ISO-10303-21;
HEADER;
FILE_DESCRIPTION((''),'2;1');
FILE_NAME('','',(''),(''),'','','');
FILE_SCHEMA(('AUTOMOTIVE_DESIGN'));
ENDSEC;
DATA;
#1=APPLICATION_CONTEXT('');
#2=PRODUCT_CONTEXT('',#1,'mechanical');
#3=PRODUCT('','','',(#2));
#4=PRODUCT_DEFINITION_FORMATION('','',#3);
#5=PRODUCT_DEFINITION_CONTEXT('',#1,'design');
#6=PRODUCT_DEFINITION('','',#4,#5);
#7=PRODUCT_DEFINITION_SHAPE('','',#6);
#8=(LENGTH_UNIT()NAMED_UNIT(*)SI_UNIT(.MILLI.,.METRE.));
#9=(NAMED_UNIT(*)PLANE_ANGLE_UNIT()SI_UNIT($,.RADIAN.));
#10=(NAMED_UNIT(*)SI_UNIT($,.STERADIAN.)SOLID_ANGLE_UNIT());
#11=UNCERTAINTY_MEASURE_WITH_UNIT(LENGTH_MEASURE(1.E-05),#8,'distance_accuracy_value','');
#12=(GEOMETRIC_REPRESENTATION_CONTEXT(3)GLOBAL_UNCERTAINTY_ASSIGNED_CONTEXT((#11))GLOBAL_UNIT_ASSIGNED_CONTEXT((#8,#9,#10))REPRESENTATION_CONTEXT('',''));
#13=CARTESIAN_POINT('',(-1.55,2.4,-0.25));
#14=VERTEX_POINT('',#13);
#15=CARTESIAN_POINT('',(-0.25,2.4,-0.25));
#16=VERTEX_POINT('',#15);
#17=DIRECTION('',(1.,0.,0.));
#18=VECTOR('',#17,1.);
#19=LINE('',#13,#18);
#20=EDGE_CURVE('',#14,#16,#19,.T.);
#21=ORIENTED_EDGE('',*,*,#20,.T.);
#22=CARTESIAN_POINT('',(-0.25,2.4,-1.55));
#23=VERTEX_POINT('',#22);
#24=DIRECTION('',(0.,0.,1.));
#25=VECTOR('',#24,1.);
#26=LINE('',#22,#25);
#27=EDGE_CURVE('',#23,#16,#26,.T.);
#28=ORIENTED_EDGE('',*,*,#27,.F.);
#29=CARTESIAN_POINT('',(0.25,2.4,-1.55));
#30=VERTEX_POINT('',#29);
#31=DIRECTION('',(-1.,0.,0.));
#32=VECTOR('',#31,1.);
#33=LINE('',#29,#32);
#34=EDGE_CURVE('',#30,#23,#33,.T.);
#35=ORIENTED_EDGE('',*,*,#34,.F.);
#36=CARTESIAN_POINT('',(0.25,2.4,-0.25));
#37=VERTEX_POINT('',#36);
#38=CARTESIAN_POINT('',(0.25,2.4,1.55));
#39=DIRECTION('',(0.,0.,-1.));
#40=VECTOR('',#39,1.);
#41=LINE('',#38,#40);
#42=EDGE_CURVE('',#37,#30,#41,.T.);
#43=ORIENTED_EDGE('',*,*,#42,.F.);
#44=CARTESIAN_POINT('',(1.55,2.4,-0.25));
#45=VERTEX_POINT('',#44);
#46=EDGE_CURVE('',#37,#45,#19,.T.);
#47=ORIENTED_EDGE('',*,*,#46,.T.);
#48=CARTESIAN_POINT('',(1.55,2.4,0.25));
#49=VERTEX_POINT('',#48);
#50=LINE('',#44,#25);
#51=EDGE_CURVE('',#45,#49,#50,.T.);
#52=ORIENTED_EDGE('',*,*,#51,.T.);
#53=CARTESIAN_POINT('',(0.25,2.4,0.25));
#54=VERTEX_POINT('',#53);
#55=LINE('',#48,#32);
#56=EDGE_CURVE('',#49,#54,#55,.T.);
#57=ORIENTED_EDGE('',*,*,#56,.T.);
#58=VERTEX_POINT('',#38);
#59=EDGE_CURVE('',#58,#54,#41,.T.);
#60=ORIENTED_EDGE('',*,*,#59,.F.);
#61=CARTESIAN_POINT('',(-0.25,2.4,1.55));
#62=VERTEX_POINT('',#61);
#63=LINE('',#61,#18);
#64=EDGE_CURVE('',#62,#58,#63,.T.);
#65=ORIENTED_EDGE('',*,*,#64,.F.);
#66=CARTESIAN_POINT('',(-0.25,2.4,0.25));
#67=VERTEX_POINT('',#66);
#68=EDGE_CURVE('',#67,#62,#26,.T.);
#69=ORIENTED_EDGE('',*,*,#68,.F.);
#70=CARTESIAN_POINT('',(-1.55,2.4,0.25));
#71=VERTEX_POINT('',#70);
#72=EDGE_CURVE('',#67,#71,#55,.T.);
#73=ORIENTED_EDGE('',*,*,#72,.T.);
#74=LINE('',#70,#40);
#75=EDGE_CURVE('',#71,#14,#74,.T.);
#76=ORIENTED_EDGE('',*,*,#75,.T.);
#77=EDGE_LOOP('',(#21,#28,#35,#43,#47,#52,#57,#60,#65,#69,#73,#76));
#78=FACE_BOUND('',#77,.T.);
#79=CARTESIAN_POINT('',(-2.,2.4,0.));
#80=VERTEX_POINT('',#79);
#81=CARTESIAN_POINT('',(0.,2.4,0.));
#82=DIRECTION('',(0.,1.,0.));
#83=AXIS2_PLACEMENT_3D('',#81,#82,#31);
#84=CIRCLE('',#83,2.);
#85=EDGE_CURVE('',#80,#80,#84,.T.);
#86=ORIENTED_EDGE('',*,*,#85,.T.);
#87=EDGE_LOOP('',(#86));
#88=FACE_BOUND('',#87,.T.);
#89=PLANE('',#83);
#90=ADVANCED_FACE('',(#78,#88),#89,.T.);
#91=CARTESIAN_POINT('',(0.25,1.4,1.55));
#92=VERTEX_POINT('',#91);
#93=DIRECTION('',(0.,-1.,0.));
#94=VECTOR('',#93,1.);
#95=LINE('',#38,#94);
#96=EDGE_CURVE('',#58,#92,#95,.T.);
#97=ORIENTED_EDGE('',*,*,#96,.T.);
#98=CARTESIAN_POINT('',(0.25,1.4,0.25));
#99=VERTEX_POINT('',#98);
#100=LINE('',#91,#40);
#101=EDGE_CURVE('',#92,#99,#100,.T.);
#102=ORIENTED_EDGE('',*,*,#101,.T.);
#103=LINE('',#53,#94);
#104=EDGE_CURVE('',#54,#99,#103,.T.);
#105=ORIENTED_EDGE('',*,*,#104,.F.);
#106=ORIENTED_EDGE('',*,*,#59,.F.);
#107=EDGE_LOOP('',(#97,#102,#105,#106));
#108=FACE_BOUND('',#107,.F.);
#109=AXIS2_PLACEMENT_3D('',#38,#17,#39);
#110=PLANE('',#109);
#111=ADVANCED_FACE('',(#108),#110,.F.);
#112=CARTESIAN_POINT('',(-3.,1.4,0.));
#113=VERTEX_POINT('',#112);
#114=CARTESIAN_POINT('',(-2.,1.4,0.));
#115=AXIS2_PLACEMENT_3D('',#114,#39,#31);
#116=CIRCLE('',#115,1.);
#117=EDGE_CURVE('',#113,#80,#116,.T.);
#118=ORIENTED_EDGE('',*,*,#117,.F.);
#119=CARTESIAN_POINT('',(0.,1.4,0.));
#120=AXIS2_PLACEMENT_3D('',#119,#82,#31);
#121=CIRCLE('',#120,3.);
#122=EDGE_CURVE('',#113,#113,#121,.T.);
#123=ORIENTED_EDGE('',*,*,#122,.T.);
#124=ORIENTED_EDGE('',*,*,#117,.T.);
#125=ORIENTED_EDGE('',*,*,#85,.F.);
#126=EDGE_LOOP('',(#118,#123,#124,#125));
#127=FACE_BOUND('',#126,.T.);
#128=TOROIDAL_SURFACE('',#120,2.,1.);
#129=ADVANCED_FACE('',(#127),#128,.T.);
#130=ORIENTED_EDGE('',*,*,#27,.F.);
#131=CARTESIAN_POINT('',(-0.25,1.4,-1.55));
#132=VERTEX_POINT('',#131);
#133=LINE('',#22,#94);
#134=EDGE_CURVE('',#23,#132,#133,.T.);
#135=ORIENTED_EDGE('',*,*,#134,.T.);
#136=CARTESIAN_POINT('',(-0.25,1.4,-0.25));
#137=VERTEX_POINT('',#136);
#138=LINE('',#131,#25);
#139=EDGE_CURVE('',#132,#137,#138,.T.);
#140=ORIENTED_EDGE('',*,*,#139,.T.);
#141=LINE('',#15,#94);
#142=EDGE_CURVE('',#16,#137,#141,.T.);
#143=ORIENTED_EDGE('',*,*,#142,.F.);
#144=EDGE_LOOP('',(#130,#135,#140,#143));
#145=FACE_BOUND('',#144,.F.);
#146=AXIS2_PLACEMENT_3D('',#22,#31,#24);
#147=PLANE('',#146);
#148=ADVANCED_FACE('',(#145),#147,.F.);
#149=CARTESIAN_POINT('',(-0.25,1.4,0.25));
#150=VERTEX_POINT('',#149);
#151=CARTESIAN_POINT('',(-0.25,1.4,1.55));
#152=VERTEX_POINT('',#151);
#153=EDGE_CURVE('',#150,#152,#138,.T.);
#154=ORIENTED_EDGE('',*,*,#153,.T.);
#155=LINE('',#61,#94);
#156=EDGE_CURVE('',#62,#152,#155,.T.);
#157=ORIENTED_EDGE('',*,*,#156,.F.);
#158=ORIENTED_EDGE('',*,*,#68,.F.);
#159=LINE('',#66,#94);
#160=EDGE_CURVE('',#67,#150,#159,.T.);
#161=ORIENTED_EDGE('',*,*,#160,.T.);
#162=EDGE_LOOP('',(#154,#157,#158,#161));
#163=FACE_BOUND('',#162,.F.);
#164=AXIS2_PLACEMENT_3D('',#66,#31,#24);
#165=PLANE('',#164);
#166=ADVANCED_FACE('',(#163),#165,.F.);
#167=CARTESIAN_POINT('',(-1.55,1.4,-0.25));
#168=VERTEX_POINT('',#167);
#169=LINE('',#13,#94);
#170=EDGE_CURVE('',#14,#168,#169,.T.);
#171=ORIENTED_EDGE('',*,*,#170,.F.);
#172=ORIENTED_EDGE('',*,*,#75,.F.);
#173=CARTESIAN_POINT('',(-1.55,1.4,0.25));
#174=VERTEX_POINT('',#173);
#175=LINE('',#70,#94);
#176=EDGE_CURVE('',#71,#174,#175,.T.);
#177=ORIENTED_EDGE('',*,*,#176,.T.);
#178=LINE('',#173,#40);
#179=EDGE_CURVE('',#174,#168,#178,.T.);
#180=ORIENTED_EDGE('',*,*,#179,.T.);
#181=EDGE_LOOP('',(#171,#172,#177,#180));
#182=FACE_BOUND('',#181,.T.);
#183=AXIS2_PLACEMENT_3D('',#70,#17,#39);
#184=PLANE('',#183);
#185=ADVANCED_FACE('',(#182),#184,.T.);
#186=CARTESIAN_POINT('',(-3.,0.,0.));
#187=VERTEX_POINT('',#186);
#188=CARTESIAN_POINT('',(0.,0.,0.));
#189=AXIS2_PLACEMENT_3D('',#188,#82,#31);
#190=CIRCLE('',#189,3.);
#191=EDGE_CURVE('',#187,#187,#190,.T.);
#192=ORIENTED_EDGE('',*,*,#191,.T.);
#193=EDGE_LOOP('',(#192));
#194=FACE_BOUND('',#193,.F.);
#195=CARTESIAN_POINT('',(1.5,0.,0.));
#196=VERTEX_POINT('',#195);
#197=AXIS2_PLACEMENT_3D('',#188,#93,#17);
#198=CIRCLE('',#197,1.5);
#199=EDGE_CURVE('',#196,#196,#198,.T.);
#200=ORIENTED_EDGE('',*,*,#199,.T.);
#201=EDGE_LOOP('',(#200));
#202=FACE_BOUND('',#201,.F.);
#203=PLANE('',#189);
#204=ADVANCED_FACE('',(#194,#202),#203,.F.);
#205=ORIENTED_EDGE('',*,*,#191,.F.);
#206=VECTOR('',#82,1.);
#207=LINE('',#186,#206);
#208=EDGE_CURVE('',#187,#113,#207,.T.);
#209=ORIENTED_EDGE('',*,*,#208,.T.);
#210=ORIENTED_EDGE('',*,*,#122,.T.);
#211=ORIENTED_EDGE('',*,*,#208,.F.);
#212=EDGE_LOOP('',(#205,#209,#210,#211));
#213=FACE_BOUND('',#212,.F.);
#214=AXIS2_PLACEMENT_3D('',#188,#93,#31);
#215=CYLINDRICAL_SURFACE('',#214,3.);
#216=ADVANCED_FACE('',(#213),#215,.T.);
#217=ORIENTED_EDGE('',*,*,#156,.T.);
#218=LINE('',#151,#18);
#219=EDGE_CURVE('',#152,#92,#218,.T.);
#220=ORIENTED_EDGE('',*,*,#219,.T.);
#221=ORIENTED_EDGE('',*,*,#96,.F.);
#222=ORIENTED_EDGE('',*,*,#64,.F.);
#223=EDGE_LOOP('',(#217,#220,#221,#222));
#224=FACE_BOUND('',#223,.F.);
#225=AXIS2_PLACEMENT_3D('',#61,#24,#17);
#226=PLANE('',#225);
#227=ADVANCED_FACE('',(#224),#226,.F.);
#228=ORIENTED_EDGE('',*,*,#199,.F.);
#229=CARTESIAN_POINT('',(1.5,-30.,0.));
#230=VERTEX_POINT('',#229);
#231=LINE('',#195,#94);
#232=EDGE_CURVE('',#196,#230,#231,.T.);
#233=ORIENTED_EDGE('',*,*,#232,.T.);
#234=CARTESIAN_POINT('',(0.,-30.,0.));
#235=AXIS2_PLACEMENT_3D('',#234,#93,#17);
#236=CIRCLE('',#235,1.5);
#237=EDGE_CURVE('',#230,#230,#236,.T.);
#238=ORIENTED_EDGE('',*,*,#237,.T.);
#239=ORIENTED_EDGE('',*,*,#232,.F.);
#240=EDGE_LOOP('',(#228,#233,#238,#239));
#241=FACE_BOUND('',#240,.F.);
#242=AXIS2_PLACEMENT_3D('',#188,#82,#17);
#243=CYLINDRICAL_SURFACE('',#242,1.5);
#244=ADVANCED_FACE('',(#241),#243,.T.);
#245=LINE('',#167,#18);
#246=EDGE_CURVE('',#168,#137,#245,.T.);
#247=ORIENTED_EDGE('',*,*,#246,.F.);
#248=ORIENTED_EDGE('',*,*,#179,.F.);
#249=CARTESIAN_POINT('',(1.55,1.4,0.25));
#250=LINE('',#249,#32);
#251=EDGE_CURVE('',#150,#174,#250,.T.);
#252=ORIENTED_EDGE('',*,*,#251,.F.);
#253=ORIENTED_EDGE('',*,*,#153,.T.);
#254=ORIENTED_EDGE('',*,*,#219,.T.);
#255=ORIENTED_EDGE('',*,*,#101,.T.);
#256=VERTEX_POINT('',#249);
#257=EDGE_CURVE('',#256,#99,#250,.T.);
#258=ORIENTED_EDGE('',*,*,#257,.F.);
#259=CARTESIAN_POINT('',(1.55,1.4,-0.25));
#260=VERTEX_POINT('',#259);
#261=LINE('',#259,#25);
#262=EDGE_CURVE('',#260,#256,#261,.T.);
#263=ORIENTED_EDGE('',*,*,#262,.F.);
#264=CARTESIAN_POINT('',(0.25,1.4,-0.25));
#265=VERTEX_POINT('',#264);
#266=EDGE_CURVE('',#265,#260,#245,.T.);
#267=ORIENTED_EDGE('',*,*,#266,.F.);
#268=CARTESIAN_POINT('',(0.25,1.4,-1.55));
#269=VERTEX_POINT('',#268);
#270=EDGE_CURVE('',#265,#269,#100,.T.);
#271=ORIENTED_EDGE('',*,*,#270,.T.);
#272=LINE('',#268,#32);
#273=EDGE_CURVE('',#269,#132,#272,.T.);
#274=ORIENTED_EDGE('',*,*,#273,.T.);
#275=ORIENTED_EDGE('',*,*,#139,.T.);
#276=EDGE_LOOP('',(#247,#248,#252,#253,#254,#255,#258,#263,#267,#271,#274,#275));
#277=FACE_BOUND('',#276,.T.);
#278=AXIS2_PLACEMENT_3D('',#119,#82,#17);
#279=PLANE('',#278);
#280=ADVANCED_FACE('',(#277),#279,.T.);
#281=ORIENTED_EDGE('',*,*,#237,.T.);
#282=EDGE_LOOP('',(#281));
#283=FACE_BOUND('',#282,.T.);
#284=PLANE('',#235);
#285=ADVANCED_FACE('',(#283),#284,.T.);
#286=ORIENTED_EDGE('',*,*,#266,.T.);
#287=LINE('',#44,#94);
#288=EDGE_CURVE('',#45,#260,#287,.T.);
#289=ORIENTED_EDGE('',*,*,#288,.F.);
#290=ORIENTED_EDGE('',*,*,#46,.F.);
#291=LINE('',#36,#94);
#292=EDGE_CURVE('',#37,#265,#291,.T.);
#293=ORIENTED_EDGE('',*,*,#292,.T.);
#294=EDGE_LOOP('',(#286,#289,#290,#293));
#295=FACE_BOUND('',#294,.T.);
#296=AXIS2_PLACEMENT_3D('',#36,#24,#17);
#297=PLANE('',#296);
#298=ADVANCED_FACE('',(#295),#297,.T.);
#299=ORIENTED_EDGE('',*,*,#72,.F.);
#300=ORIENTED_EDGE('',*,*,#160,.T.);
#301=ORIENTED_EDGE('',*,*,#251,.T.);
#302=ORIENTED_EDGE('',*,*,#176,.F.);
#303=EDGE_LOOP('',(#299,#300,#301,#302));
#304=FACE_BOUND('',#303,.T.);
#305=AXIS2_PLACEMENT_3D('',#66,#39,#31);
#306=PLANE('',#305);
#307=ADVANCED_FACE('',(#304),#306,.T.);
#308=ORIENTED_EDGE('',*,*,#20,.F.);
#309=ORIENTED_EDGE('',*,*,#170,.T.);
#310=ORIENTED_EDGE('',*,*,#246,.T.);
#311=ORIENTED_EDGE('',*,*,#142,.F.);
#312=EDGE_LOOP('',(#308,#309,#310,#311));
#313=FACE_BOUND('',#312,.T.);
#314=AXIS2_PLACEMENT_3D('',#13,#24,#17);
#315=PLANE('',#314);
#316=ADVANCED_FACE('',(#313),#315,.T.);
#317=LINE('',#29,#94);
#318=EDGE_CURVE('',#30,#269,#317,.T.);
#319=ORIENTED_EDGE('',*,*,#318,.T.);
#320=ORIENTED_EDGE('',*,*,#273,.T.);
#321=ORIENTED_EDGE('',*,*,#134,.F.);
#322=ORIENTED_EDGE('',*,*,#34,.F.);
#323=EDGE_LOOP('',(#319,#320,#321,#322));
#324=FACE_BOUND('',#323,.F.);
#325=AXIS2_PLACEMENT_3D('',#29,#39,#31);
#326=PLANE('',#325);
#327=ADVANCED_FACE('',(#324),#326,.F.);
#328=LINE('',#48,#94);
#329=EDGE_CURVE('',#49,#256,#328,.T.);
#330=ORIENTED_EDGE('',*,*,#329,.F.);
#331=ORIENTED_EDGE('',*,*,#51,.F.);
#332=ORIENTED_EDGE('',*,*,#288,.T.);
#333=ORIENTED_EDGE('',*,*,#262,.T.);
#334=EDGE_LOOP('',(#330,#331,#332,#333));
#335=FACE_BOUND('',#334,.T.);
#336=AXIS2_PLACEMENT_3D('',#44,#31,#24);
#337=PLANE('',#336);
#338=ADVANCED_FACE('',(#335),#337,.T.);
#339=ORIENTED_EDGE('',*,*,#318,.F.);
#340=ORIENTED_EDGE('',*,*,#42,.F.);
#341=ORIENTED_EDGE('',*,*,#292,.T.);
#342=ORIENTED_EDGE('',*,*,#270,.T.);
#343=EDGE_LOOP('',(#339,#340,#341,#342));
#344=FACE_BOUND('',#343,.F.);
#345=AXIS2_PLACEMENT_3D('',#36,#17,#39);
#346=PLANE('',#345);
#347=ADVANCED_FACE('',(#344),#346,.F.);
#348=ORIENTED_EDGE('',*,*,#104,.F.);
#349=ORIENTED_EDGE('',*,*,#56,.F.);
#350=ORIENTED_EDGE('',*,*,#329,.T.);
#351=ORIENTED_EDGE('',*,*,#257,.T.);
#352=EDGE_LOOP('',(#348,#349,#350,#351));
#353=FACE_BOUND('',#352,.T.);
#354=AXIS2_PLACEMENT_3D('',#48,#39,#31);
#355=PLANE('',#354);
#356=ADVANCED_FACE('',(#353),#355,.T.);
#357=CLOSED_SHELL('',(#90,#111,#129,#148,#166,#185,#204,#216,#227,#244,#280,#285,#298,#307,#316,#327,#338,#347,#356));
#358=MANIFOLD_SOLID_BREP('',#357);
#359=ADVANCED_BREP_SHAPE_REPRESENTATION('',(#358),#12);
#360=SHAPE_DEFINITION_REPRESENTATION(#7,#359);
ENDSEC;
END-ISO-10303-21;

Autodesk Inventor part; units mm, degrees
ref_plane "YZ Plane" through (0, 0, 0) normal (1, 0, 0) x (0, 1, 0)
ref_plane "XZ Plane" through (0, 0, 0) normal (0, 1, 0) x (-1, 0, 0)
ref_plane "XY Plane" through (0, 0, 0) normal (0, 0, 1) x (1, 0, 0)
sketch "Sketch1" plane through (0, 0, 0) normal (0, 1, 0) x (-1, 0, 0)
  circle A0 centre (0, 0) radius 3
  dimension "d0" = 6
extrude "Extrusion1" add sketch "Sketch1" along normal blind 2.4
sketch "Sketch2" plane through (0, 2.4, 0) normal (0, 1, 0) x (1, 0, 0)
  line L0 (-1.55, 0.25) -> (1.55, 0.25)
  line L1 (1.55, 0.25) -> (1.55, -0.25)
  line L2 (1.55, -0.25) -> (-1.55, -0.25)
  line L3 (-1.55, -0.25) -> (-1.55, 0.25)
  line L4 (-0.25, -1.55) -> (0.25, -1.55)
  line L5 (0.25, -1.55) -> (0.25, 1.55)
  line L6 (0.25, 1.55) -> (-0.25, 1.55)
  line L7 (-0.25, 1.55) -> (-0.25, -1.55)
  point P0 (0, 0)
  dimension "d5" = 3.1
  dimension "d6" = 0.5
  dimension "d9" = 0.5
  dimension "d10" = 3.1
extrude "Extrusion2" cut sketch "Sketch2" against normal blind 1
fillet "Fillet1" radius 1 1 edges at (3, 2.4, 0)
sketch "Sketch3" plane through (0, 0, 0) normal (0, -1, 0) x (1, 0, 0)
  circle A0 centre (0, 0) radius 1.5
  dimension "d14" = 3
extrude "Extrusion3" add sketch "Sketch3" along normal blind 30
thread "Thread1" size "M3x0.5" class "6g" standard "ANSI Metric M Profile" full length
properties part number "m3 30mm screw"
